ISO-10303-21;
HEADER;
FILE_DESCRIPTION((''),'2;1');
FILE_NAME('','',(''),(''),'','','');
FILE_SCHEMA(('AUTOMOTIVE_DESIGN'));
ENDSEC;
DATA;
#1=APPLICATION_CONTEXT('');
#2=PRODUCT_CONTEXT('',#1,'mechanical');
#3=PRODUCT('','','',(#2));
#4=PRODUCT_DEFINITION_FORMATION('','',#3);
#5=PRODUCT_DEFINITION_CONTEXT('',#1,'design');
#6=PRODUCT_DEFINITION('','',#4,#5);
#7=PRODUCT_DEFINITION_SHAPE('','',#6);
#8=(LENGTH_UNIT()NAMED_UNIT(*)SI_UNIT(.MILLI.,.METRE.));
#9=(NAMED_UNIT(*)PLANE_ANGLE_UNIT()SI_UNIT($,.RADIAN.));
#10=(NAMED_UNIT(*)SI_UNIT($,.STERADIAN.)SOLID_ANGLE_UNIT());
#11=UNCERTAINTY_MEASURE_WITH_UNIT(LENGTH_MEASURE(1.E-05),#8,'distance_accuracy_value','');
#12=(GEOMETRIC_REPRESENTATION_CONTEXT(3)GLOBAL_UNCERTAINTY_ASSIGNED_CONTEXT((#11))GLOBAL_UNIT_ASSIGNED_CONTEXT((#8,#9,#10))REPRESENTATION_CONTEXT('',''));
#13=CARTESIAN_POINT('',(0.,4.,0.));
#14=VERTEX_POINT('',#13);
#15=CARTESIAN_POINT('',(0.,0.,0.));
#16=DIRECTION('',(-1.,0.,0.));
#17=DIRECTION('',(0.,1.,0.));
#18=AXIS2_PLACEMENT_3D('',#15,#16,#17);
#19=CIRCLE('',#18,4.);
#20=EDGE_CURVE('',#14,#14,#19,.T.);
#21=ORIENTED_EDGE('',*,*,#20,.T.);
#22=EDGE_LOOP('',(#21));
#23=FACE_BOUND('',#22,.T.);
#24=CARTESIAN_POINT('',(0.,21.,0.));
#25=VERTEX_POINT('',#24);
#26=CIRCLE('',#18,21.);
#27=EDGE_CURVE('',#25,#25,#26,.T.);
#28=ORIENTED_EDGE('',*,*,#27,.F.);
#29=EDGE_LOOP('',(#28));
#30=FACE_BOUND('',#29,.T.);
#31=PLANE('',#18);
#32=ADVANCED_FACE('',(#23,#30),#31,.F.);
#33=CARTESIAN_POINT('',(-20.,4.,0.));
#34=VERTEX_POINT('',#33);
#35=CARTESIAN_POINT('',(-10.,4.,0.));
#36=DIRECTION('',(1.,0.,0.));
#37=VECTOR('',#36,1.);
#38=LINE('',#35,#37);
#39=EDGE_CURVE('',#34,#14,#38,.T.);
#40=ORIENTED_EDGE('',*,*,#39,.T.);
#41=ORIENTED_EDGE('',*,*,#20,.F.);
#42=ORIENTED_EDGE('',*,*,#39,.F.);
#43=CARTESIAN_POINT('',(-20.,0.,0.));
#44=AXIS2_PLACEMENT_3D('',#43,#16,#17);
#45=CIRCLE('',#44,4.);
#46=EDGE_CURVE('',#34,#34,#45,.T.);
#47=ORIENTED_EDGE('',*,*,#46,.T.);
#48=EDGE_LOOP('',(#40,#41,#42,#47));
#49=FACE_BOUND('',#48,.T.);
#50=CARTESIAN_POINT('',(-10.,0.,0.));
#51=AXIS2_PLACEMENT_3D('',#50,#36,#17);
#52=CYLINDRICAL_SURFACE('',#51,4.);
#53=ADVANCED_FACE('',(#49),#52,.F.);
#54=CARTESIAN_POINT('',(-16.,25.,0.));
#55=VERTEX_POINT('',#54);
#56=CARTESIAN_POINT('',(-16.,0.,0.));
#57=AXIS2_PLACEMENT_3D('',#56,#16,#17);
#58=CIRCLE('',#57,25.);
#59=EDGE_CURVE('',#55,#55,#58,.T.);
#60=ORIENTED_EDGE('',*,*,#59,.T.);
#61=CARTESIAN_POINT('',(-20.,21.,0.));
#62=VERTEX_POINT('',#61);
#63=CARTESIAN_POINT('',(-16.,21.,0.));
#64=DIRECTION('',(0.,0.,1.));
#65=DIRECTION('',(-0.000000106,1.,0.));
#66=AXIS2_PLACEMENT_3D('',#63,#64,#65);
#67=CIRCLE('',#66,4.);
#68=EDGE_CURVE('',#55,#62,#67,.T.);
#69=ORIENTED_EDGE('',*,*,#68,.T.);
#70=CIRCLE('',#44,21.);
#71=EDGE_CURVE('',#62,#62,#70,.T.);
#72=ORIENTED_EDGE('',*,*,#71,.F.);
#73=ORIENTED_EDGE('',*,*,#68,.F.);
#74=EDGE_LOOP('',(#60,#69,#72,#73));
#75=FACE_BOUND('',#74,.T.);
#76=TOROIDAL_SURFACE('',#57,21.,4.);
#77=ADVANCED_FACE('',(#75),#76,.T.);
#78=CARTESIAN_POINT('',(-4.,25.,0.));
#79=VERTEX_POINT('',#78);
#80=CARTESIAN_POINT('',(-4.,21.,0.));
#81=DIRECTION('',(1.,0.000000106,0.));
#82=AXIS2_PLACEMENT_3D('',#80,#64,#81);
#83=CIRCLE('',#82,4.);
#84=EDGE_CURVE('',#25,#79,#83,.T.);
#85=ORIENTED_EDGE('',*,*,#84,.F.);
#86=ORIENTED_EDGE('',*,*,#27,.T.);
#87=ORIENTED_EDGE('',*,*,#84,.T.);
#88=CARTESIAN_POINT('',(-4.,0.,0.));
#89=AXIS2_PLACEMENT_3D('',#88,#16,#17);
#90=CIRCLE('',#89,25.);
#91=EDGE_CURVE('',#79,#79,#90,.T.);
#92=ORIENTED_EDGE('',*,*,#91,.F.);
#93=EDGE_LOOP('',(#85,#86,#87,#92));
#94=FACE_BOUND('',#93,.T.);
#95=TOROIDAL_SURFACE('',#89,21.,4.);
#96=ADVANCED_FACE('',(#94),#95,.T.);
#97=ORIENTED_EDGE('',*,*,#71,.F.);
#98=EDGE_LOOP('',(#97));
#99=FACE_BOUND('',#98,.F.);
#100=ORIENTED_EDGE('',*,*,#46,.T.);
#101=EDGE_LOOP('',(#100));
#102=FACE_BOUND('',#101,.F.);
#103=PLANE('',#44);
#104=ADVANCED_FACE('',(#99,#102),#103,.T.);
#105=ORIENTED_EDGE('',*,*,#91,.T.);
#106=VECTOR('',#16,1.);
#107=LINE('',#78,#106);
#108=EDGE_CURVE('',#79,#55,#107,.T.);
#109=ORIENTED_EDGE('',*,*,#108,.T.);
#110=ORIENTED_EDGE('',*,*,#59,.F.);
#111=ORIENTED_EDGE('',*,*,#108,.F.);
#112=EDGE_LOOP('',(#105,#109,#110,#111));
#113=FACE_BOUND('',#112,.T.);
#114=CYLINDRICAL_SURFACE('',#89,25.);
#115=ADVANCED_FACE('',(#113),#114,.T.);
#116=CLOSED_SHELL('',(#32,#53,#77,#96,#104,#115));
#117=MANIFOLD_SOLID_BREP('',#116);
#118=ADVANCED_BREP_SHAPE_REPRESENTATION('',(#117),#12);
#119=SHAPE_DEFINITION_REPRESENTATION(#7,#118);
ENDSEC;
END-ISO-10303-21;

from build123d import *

# Parameters (mm, degrees)
F0_W = 20
F0_H = 15


with BuildPart() as f1:
    # F0 (on Top) → F1 (revolve)
    with BuildSketch(Plane.XY):
        with Locations((-10, 11.5)):
            Rectangle(F0_W, F0_H)
    revolve(axis=Axis((-10, 0, 0), (-1, 0, 0)))

    # F0 (on Top) → F2 (revolve)
    with BuildSketch(Plane.XY):
        with BuildLine():
            Line((-20, 19), (0, 19))
            Line((0, 19), (0, 21))
            ThreePointArc((0, 21), (-1.171573, 23.828427), (-4, 25))
            Line((-4, 25), (-16, 25))
            ThreePointArc((-16, 25), (-18.828427, 23.828427), (-20, 21))
            Line((-20, 21), (-20, 19))
        make_face()
    revolve(axis=Axis((-10, 0, 0), (-1, 0, 0)))


solid = f1.part
